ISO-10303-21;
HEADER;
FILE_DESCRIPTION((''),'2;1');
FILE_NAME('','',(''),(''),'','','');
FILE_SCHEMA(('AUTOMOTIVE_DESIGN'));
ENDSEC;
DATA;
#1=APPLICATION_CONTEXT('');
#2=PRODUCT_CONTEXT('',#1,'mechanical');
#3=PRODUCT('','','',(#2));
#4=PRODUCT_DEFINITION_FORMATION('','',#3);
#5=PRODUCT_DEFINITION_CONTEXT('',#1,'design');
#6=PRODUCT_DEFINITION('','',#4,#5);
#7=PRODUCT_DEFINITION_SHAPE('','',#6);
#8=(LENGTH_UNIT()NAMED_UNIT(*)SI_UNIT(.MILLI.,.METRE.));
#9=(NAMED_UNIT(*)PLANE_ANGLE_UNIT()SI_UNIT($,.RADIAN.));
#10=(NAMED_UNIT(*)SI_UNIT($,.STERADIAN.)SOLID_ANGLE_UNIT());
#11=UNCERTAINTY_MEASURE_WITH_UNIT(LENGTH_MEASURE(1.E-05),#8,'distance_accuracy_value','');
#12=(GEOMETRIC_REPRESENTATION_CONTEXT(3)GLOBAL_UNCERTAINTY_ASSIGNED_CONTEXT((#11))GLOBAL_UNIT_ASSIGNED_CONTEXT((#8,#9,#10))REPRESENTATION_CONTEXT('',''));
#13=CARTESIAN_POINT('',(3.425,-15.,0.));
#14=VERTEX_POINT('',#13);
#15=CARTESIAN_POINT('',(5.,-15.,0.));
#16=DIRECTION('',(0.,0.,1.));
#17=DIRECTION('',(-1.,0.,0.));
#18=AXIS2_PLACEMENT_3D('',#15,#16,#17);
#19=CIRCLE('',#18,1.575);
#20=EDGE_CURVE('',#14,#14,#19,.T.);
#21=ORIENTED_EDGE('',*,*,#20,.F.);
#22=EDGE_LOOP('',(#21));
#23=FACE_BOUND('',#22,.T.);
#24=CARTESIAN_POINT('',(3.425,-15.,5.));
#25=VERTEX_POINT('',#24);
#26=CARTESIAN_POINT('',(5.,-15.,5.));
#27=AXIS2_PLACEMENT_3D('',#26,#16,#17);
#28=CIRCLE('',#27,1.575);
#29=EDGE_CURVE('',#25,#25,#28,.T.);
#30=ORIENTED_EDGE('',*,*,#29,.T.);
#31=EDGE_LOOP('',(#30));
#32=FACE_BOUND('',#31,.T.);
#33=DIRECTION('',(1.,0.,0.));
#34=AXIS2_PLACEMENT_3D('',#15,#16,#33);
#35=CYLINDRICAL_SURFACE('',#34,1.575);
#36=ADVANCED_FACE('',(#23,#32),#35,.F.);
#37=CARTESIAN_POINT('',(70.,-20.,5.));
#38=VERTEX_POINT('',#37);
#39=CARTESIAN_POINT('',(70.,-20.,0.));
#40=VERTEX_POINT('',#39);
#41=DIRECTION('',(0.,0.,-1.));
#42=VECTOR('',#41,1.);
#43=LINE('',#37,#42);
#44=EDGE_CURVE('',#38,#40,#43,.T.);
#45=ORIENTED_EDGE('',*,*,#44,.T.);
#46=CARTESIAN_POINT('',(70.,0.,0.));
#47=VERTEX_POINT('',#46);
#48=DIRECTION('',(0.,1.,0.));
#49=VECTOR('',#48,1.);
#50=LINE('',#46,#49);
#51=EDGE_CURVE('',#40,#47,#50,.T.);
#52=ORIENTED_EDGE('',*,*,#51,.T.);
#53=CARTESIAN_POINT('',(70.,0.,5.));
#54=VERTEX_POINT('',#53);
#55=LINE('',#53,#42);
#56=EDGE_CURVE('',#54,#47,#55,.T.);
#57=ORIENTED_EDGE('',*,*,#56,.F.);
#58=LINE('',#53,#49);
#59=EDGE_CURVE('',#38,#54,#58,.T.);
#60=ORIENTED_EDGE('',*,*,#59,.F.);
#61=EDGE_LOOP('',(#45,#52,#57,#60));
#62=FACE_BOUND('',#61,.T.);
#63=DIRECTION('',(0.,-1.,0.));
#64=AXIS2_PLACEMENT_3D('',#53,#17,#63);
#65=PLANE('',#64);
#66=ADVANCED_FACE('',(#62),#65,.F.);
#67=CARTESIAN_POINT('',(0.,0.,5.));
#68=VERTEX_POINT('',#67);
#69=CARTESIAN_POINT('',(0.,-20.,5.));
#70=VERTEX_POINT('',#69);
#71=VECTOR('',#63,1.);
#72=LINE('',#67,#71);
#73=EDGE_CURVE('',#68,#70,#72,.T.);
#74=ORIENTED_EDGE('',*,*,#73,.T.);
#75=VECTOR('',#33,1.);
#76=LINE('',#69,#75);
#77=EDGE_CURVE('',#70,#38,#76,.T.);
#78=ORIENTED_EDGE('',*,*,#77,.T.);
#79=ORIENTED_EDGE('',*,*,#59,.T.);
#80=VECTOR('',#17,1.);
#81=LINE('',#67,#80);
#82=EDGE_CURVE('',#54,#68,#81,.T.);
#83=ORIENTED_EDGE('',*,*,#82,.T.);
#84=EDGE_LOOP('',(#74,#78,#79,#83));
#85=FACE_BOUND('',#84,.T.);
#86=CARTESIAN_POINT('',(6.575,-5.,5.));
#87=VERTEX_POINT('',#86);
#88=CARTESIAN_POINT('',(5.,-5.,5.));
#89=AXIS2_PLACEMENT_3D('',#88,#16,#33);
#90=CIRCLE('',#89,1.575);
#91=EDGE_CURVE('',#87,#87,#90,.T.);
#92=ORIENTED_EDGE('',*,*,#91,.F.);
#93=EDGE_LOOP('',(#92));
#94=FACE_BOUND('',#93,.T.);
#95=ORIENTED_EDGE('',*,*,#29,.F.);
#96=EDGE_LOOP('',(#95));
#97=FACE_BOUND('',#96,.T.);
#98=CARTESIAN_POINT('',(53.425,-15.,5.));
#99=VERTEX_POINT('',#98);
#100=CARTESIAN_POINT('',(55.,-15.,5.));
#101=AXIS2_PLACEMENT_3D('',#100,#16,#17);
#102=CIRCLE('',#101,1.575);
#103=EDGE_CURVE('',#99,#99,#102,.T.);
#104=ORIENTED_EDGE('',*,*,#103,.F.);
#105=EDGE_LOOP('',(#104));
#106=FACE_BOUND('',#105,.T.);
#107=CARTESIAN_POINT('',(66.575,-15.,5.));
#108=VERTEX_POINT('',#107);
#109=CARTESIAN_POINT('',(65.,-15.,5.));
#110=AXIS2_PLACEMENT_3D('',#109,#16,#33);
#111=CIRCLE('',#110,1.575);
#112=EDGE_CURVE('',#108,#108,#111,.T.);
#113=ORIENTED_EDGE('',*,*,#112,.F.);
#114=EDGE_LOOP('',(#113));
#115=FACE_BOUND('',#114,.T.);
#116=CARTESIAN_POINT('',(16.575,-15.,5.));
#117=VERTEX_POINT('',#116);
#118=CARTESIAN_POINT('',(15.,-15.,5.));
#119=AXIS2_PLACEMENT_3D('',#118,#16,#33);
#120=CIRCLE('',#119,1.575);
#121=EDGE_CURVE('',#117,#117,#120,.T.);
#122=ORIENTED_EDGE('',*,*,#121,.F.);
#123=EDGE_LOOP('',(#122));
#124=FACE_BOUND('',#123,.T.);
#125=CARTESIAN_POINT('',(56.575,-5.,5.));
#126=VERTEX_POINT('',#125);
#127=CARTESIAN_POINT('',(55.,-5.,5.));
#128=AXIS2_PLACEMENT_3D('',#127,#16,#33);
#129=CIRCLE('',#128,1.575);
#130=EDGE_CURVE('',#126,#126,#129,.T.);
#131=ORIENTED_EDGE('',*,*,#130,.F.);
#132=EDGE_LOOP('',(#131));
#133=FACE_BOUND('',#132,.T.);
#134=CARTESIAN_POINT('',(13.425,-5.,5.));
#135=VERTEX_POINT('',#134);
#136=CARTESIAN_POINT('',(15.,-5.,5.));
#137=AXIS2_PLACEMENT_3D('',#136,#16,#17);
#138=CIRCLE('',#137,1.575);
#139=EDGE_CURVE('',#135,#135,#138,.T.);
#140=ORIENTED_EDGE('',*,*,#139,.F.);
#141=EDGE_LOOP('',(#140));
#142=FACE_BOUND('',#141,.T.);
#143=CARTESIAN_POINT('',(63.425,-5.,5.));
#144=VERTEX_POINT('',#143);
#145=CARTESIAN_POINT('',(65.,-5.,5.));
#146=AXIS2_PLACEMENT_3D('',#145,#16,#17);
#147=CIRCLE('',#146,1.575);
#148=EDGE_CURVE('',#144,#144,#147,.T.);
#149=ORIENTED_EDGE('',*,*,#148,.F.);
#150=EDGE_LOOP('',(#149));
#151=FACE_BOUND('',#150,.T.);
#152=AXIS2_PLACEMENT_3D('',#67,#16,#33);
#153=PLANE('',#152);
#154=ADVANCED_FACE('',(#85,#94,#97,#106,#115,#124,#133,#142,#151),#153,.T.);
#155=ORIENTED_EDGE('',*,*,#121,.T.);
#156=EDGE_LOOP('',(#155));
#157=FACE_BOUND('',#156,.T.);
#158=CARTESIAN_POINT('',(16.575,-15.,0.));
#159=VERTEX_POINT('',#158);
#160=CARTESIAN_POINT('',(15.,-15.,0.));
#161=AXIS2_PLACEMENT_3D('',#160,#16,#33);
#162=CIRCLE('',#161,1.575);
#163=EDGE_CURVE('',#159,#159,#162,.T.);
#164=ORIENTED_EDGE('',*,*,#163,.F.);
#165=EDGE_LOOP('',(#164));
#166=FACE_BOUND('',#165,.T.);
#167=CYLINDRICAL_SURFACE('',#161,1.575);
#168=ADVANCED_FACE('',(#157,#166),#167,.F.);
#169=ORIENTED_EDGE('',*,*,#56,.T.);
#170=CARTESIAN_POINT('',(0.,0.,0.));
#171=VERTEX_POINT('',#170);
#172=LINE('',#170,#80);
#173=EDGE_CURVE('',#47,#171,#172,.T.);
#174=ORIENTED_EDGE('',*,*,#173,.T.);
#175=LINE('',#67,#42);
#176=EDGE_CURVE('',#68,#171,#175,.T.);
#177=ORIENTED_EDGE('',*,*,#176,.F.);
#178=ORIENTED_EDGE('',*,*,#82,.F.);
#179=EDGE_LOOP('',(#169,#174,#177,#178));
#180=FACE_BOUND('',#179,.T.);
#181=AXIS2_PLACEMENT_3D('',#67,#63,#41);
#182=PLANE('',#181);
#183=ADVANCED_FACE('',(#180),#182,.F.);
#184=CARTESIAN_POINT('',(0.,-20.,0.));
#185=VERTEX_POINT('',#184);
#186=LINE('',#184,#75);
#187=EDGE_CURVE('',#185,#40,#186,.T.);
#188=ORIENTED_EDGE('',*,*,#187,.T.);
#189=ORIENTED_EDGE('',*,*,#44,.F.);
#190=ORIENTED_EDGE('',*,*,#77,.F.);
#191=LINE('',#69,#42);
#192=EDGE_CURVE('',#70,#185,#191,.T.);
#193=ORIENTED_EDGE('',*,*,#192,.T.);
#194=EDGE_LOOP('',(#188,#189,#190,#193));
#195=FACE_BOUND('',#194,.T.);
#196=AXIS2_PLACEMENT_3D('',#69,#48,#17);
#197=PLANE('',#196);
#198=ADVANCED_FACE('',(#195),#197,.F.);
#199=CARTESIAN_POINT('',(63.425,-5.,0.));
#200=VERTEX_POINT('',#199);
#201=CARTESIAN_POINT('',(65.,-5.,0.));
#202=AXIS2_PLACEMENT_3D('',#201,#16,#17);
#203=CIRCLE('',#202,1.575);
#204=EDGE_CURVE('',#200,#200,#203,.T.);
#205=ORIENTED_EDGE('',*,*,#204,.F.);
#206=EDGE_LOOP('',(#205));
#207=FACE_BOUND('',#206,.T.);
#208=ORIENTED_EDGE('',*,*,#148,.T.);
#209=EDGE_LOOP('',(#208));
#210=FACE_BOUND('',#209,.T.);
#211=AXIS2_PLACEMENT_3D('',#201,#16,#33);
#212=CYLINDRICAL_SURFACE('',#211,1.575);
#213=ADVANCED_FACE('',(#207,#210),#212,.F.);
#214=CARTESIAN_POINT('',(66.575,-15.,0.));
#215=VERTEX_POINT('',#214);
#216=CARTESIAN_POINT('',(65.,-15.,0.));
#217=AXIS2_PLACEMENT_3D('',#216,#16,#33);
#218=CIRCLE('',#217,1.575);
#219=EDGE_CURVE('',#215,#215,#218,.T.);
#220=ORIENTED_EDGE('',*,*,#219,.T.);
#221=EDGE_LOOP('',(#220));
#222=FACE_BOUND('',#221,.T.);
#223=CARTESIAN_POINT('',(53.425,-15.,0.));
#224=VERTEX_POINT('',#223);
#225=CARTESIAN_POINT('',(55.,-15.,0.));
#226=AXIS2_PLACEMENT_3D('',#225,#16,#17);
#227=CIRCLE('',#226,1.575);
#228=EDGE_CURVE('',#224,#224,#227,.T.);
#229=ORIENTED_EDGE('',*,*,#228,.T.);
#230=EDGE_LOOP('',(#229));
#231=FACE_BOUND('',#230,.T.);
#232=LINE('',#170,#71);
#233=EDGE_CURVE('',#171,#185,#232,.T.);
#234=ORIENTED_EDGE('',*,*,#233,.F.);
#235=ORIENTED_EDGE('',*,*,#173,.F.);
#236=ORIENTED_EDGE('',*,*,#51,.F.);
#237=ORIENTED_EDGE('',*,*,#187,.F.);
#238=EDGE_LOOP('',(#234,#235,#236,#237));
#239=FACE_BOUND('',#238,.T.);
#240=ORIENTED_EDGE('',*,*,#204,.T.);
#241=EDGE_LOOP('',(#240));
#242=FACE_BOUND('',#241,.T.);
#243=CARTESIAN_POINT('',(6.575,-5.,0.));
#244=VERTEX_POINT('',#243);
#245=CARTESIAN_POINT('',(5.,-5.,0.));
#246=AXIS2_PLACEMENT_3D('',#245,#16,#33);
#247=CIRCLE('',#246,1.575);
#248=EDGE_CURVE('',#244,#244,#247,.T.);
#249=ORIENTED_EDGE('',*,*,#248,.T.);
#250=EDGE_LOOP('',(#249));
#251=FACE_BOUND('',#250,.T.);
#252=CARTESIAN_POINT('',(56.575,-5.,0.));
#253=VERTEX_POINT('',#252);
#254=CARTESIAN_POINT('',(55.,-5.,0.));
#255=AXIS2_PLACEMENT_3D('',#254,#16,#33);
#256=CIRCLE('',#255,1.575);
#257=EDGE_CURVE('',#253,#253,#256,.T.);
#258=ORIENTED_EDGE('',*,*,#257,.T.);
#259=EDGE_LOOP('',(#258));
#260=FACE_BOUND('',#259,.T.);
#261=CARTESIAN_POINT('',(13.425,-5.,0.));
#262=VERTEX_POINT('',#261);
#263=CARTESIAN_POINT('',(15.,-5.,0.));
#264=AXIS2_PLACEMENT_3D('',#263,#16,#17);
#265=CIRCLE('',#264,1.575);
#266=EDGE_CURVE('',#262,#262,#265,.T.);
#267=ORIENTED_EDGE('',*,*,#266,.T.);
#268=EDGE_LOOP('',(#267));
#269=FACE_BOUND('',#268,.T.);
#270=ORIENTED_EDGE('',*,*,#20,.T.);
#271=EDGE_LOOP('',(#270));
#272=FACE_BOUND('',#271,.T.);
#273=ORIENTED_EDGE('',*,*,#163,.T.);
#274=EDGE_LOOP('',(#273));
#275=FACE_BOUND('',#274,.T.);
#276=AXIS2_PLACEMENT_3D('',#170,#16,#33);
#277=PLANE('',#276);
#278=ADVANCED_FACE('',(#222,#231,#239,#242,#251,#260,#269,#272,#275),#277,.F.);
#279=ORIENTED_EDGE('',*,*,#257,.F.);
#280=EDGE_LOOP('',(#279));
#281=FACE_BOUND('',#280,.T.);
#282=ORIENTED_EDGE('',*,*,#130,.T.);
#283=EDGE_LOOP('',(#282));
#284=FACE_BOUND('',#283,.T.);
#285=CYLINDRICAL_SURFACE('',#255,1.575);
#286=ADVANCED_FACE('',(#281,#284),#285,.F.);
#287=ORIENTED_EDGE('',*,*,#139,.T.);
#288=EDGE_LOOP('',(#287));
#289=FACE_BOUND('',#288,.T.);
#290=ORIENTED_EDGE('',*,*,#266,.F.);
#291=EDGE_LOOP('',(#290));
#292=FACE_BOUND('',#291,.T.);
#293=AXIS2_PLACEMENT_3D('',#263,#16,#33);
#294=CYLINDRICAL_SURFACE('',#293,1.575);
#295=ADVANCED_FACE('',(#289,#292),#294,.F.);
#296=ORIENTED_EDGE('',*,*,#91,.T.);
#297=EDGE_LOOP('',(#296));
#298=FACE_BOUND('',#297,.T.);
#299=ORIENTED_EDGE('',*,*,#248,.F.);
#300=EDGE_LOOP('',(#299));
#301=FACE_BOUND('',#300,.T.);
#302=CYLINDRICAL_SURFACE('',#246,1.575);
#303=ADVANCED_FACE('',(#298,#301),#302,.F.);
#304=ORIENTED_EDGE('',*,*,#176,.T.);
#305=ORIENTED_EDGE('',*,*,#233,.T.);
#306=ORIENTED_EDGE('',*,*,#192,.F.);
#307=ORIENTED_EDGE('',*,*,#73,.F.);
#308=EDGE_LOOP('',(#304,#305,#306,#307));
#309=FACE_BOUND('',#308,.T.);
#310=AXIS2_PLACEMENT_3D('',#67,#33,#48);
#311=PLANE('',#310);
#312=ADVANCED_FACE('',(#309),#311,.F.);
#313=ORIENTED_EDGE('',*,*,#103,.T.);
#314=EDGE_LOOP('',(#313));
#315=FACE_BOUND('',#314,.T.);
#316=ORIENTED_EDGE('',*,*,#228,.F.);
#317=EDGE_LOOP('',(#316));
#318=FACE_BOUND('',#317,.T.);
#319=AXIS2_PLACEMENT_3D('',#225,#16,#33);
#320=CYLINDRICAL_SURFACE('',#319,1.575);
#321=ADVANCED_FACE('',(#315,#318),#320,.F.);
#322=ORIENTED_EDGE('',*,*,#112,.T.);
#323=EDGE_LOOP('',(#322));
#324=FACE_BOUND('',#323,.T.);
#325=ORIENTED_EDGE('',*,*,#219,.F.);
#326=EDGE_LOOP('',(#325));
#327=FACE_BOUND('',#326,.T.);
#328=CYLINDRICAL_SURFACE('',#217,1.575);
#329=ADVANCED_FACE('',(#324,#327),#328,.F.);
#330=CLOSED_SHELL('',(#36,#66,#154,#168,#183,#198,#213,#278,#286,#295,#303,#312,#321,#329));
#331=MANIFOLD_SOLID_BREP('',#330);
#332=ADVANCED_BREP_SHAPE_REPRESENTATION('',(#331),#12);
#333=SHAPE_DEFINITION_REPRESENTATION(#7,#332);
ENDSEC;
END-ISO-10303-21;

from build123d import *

# Parameters (mm, degrees)
SKETCH_1_W          = 70
SKETCH_1_H          = 20
EXTRUDE_1_DEPTH     = 5
SKETCH_2_R          = 1.575
CUT_EXTRUDE_1_DEPTH = 73.972597597


with BuildPart() as part:
    # 草图1 → 凸台-拉伸1 (new body)
    with BuildSketch(Plane.XY):
        with Locations((35, -10)):
            Rectangle(SKETCH_1_W, SKETCH_1_H)
    extrude(amount=EXTRUDE_1_DEPTH)

    # 草图2 → 切除-拉伸1 (cut, through all)
    with BuildSketch(Plane.XY.offset(5)):
        with Locations((5, -5)):
            Circle(SKETCH_2_R)
        with Locations(Location((5, -15, 0), (0, 0, 180))):
            Circle(SKETCH_2_R)
        with Locations((15, -15)):
            Circle(SKETCH_2_R)
        with Locations(Location((15, -5, 0), (0, 0, 180))):
            Circle(SKETCH_2_R)
        with Locations((55, -5)):
            Circle(SKETCH_2_R)
        with Locations(Location((55, -15, 0), (0, 0, 180))):
            Circle(SKETCH_2_R)
        with Locations((65, -15)):
            Circle(SKETCH_2_R)
        with Locations(Location((65, -5, 0), (0, 0, 180))):
            Circle(SKETCH_2_R)
    extrude(amount=-CUT_EXTRUDE_1_DEPTH, mode=Mode.SUBTRACT)


solid = part.part
